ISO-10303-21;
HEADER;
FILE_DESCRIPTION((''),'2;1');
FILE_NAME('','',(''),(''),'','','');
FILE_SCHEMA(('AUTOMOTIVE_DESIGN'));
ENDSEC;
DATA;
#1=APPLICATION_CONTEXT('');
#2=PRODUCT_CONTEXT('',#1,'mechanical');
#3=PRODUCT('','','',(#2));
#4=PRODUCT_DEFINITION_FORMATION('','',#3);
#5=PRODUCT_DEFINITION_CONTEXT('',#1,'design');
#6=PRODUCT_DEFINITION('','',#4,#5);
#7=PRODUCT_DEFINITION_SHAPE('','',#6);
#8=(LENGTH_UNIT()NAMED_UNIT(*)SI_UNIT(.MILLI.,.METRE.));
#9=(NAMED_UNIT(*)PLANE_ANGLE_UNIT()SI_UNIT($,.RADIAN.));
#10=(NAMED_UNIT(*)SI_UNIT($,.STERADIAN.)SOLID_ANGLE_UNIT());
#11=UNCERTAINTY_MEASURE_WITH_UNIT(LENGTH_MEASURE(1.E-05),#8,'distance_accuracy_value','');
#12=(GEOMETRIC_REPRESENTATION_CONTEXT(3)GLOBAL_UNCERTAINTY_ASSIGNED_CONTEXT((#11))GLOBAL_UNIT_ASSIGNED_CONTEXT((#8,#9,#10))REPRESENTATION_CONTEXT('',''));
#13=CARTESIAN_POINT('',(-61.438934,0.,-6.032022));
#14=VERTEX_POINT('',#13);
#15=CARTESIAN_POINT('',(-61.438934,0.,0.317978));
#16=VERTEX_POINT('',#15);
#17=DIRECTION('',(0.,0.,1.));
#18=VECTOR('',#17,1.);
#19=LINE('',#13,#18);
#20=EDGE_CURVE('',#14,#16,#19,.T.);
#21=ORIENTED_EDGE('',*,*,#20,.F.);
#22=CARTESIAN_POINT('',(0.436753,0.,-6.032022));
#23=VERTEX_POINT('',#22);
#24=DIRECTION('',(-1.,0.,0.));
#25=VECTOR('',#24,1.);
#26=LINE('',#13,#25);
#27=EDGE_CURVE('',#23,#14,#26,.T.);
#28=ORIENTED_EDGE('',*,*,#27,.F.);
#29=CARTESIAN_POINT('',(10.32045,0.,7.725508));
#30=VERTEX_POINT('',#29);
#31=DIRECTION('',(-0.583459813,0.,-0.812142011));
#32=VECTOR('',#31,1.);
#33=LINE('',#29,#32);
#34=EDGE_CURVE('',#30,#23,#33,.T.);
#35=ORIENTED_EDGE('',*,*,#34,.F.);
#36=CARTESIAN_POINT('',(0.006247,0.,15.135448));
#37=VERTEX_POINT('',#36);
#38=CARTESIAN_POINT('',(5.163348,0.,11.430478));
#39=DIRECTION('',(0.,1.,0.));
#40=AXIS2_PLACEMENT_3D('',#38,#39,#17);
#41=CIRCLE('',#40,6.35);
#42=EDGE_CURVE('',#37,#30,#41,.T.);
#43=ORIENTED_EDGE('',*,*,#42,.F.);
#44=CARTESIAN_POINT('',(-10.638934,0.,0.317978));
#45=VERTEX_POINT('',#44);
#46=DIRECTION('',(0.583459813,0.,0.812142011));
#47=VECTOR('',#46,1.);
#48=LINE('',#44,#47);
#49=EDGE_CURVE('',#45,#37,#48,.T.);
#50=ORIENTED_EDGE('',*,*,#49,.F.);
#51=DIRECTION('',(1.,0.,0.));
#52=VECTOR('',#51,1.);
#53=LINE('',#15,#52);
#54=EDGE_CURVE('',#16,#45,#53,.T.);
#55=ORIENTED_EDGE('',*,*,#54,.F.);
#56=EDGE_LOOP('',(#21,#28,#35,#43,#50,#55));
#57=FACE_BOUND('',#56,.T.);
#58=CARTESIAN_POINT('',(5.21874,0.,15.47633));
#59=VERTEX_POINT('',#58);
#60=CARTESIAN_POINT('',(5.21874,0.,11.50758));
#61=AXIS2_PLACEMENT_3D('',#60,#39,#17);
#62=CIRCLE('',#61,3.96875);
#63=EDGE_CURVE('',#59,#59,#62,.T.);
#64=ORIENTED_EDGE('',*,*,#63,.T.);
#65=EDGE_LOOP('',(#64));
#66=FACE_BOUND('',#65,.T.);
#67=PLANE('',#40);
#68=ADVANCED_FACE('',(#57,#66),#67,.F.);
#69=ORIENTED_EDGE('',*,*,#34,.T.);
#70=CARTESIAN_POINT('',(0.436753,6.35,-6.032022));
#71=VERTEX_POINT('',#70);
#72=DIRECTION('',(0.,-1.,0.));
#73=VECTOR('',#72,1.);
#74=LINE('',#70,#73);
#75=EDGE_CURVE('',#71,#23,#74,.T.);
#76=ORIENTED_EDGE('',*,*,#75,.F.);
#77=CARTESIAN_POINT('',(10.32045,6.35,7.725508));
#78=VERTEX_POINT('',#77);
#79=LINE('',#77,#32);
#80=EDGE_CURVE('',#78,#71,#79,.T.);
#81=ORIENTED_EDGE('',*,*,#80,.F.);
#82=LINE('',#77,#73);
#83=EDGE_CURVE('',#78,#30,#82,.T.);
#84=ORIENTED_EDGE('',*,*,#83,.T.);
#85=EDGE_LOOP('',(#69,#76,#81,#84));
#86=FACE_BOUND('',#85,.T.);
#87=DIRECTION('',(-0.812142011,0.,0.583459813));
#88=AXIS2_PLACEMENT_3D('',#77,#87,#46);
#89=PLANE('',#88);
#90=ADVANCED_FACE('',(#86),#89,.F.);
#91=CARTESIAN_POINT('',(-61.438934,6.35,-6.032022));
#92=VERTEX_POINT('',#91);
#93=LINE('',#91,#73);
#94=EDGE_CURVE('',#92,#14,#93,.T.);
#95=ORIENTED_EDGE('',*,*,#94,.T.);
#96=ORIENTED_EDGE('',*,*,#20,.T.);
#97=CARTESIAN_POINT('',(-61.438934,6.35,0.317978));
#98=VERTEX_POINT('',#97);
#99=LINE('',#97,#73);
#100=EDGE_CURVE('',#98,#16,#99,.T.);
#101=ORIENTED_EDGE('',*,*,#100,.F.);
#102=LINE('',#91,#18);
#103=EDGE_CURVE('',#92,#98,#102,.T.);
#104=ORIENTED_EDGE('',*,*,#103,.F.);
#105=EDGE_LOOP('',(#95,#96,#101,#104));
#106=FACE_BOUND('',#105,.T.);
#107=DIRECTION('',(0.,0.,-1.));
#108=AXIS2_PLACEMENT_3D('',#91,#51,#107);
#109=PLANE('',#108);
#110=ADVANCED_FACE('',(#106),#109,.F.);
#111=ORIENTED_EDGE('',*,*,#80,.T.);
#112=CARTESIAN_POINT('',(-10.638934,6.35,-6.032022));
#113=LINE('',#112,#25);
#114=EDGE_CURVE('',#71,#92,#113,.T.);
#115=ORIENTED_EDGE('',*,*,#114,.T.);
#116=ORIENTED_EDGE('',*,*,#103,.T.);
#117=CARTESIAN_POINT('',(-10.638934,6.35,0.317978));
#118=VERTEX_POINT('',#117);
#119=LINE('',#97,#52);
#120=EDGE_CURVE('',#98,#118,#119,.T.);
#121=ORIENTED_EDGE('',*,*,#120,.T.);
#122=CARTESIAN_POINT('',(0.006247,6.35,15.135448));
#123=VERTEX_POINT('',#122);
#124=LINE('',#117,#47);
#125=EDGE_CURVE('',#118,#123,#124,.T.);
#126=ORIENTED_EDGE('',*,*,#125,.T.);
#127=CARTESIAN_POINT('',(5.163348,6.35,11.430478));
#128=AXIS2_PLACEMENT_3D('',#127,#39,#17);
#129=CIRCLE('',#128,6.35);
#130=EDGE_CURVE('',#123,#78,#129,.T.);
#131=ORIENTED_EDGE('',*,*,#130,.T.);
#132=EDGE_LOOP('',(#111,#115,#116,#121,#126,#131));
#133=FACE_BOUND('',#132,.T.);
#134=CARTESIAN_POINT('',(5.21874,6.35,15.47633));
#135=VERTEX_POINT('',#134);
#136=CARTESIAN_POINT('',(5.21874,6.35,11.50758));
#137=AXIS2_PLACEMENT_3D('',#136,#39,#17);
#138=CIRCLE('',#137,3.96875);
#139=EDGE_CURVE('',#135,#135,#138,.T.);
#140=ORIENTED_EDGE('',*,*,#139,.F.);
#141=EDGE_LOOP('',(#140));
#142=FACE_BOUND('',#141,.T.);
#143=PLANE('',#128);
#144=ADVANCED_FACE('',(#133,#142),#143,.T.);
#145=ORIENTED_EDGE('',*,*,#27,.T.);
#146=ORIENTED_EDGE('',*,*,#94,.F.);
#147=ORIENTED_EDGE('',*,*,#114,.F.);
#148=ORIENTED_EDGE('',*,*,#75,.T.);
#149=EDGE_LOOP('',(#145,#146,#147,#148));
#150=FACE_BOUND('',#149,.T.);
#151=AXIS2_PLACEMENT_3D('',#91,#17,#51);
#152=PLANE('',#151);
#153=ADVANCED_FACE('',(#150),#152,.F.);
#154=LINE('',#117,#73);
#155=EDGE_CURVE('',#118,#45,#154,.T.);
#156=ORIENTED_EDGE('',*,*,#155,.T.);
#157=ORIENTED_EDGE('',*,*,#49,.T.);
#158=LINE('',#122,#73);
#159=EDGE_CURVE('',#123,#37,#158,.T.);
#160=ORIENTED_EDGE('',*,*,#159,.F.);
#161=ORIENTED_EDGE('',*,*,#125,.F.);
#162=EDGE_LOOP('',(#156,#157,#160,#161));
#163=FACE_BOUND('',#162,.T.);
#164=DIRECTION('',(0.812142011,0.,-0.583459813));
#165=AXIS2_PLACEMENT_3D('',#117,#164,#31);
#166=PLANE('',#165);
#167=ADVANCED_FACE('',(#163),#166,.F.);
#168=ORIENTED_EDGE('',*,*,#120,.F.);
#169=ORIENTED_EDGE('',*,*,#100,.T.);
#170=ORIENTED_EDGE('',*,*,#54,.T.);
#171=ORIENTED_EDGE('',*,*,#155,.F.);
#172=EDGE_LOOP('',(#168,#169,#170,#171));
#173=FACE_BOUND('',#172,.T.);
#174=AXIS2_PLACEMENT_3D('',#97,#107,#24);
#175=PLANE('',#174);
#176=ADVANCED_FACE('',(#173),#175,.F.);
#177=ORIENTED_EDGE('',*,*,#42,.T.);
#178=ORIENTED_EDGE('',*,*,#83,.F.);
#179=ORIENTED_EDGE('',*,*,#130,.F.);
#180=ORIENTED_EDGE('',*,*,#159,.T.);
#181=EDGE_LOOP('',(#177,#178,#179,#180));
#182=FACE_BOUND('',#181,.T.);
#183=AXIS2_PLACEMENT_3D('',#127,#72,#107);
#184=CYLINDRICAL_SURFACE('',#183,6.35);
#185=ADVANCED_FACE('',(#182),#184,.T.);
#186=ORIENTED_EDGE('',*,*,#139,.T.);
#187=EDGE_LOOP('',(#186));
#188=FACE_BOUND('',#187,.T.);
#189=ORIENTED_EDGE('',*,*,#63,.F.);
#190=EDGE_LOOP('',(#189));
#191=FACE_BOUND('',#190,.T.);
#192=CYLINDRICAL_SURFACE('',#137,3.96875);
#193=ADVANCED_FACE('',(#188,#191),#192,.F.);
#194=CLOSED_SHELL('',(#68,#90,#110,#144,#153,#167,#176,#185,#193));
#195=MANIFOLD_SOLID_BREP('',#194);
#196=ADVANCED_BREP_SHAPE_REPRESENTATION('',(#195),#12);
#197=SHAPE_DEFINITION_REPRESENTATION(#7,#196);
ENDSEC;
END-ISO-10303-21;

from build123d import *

# Parameters (mm, degrees)
BOSS_EXTRUDE1_DEPTH         = 6.35
F_3_8_16_TAPPED_HOLE1_D     = 7.9375
F_3_8_16_TAPPED_HOLE1_DEPTH = 6.35
F_3_8_16_TAPPED_HOLE1_TIP   = 2.384665582


with BuildPart() as part:
    # Sketch2 → Boss-Extrude1 (new body)
    with BuildSketch(Plane(origin=(0, 0, 0), x_dir=(1, 0, 0), z_dir=(0, 1, 0))):
        with BuildLine():
            Line((-10.638933845, -0.317978242), (0.0062465, -15.135448057))
            ThreePointArc((0.0062465, -15.135448057), (8.868318086, -16.587580012), (10.320450041, -7.725508427))
            Line((10.320450041, -7.725508427), (0.436752504, 6.032021758))
            Line((0.436752504, 6.032021758), (-10.638933845, 6.032021758))
            Line((-10.638933845, 6.032021758), (-61.438933845, 6.032021758))
            Line((-61.438933845, 6.032021758), (-61.438933845, -0.317978242))
            Line((-61.438933845, -0.317978242), (-10.638933845, -0.317978242))
        make_face()
    extrude(amount=BOSS_EXTRUDE1_DEPTH)

    # 3/8-16 Tapped Hole1
    with Locations(Plane(origin=(0, 6.35, 0), x_dir=(1, 0, 0), z_dir=(0, 1, 0))):
        with Locations((5.218739795, -11.507580012)):
            Hole(F_3_8_16_TAPPED_HOLE1_D / 2, depth=F_3_8_16_TAPPED_HOLE1_DEPTH)
            with Locations((0, 0, -(F_3_8_16_TAPPED_HOLE1_DEPTH + F_3_8_16_TAPPED_HOLE1_TIP / 2))):  # 118° drill point
                Cone(0, F_3_8_16_TAPPED_HOLE1_D / 2, F_3_8_16_TAPPED_HOLE1_TIP, mode=Mode.SUBTRACT)


solid = part.part
